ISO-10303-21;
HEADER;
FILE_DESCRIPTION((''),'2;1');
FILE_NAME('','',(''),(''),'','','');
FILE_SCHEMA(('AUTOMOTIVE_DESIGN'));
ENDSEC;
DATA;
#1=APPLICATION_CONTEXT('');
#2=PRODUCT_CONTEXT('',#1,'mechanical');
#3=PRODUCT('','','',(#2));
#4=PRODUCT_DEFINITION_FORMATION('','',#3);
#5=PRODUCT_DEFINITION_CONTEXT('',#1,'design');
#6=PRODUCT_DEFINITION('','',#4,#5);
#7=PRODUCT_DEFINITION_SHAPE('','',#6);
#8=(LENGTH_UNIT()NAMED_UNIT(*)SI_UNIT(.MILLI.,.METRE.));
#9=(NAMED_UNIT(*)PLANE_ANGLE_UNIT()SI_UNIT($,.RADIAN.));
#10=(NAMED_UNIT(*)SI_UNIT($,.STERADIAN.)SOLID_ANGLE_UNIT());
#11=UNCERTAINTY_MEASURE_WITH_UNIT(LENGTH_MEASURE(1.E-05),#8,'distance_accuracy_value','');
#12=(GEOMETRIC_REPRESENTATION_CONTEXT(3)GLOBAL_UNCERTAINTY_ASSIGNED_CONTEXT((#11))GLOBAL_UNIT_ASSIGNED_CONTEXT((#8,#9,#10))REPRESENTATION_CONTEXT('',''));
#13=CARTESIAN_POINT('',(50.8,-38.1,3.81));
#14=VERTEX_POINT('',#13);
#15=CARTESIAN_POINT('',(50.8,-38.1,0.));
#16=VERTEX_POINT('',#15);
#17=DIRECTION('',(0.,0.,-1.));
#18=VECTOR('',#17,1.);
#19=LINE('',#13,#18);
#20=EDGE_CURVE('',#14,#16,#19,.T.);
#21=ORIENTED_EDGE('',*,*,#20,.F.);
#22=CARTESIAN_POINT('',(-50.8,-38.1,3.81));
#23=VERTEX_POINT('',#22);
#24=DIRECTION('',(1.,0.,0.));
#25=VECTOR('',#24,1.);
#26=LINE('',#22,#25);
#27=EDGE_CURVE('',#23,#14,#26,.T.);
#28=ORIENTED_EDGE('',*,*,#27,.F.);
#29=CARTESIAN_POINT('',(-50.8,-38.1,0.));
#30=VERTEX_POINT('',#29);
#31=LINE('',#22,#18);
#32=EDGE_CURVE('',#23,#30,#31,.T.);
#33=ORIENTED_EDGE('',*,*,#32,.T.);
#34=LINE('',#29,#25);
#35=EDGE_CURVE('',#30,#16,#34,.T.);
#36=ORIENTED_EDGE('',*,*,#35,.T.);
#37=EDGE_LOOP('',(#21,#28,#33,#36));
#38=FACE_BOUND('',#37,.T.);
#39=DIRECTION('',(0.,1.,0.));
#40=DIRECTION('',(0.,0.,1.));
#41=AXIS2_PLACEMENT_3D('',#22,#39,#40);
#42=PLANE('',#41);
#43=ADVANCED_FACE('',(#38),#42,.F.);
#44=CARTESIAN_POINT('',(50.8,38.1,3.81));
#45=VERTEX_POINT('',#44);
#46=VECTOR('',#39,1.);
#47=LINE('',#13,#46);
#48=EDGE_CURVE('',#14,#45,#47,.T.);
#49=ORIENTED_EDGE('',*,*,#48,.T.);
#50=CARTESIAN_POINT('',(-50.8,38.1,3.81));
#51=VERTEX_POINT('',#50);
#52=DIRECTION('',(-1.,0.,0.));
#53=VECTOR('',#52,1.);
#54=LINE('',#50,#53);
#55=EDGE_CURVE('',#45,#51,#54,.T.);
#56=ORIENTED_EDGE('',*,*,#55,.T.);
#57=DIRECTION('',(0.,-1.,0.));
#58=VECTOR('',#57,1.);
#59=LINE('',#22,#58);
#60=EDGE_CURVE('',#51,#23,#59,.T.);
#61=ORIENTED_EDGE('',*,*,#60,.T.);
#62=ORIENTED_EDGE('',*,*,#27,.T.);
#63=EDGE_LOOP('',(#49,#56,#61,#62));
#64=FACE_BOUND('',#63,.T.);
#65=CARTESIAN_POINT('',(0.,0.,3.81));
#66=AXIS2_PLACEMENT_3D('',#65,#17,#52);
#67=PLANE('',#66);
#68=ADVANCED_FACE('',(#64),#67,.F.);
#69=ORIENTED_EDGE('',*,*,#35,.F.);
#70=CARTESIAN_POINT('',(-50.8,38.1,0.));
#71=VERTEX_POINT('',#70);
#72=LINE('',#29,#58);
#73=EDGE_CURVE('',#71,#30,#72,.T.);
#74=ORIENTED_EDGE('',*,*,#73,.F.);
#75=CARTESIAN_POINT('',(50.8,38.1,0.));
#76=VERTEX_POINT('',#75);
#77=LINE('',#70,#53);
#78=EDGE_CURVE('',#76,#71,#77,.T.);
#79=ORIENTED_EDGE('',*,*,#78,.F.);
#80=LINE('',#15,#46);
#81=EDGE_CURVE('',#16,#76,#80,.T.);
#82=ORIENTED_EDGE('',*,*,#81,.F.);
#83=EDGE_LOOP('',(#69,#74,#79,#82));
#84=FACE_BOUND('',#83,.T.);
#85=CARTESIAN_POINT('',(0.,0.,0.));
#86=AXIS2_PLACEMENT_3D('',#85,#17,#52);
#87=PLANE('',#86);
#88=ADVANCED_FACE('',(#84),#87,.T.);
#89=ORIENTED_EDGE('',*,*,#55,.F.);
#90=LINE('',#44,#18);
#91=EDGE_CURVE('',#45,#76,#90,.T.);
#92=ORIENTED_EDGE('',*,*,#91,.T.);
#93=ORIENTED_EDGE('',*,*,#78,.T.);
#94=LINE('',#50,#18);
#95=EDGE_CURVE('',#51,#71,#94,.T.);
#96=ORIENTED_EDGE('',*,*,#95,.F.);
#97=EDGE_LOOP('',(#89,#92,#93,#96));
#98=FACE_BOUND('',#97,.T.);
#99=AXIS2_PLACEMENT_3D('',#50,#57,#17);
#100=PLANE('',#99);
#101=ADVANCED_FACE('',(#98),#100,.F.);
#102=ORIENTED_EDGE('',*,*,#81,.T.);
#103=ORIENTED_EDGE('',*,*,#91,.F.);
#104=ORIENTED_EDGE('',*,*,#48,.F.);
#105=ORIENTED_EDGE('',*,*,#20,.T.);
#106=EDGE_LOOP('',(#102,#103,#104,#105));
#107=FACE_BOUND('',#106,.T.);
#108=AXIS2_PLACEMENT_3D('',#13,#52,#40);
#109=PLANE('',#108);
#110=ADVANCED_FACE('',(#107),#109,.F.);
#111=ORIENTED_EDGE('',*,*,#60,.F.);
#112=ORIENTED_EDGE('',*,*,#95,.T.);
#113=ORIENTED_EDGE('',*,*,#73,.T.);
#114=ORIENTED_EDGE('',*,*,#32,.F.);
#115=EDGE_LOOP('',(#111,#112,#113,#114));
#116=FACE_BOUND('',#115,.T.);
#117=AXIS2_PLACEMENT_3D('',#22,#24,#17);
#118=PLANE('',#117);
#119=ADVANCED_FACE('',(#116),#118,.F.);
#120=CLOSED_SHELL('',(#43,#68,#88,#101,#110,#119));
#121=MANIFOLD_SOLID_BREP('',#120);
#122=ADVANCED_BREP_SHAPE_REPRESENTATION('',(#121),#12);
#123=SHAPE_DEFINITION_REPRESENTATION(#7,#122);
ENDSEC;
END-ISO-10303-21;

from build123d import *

# Parameters (mm, degrees)
SKETCH1_W           = 101.6
SKETCH1_H           = 76.2
BOSS_EXTRUDE1_DEPTH = 3.81


with BuildPart() as part:
    # Sketch1 → Boss-Extrude1 (new body)
    with BuildSketch(Plane.XY):
        Rectangle(SKETCH1_W, SKETCH1_H)
    extrude(amount=BOSS_EXTRUDE1_DEPTH)


solid = part.part
